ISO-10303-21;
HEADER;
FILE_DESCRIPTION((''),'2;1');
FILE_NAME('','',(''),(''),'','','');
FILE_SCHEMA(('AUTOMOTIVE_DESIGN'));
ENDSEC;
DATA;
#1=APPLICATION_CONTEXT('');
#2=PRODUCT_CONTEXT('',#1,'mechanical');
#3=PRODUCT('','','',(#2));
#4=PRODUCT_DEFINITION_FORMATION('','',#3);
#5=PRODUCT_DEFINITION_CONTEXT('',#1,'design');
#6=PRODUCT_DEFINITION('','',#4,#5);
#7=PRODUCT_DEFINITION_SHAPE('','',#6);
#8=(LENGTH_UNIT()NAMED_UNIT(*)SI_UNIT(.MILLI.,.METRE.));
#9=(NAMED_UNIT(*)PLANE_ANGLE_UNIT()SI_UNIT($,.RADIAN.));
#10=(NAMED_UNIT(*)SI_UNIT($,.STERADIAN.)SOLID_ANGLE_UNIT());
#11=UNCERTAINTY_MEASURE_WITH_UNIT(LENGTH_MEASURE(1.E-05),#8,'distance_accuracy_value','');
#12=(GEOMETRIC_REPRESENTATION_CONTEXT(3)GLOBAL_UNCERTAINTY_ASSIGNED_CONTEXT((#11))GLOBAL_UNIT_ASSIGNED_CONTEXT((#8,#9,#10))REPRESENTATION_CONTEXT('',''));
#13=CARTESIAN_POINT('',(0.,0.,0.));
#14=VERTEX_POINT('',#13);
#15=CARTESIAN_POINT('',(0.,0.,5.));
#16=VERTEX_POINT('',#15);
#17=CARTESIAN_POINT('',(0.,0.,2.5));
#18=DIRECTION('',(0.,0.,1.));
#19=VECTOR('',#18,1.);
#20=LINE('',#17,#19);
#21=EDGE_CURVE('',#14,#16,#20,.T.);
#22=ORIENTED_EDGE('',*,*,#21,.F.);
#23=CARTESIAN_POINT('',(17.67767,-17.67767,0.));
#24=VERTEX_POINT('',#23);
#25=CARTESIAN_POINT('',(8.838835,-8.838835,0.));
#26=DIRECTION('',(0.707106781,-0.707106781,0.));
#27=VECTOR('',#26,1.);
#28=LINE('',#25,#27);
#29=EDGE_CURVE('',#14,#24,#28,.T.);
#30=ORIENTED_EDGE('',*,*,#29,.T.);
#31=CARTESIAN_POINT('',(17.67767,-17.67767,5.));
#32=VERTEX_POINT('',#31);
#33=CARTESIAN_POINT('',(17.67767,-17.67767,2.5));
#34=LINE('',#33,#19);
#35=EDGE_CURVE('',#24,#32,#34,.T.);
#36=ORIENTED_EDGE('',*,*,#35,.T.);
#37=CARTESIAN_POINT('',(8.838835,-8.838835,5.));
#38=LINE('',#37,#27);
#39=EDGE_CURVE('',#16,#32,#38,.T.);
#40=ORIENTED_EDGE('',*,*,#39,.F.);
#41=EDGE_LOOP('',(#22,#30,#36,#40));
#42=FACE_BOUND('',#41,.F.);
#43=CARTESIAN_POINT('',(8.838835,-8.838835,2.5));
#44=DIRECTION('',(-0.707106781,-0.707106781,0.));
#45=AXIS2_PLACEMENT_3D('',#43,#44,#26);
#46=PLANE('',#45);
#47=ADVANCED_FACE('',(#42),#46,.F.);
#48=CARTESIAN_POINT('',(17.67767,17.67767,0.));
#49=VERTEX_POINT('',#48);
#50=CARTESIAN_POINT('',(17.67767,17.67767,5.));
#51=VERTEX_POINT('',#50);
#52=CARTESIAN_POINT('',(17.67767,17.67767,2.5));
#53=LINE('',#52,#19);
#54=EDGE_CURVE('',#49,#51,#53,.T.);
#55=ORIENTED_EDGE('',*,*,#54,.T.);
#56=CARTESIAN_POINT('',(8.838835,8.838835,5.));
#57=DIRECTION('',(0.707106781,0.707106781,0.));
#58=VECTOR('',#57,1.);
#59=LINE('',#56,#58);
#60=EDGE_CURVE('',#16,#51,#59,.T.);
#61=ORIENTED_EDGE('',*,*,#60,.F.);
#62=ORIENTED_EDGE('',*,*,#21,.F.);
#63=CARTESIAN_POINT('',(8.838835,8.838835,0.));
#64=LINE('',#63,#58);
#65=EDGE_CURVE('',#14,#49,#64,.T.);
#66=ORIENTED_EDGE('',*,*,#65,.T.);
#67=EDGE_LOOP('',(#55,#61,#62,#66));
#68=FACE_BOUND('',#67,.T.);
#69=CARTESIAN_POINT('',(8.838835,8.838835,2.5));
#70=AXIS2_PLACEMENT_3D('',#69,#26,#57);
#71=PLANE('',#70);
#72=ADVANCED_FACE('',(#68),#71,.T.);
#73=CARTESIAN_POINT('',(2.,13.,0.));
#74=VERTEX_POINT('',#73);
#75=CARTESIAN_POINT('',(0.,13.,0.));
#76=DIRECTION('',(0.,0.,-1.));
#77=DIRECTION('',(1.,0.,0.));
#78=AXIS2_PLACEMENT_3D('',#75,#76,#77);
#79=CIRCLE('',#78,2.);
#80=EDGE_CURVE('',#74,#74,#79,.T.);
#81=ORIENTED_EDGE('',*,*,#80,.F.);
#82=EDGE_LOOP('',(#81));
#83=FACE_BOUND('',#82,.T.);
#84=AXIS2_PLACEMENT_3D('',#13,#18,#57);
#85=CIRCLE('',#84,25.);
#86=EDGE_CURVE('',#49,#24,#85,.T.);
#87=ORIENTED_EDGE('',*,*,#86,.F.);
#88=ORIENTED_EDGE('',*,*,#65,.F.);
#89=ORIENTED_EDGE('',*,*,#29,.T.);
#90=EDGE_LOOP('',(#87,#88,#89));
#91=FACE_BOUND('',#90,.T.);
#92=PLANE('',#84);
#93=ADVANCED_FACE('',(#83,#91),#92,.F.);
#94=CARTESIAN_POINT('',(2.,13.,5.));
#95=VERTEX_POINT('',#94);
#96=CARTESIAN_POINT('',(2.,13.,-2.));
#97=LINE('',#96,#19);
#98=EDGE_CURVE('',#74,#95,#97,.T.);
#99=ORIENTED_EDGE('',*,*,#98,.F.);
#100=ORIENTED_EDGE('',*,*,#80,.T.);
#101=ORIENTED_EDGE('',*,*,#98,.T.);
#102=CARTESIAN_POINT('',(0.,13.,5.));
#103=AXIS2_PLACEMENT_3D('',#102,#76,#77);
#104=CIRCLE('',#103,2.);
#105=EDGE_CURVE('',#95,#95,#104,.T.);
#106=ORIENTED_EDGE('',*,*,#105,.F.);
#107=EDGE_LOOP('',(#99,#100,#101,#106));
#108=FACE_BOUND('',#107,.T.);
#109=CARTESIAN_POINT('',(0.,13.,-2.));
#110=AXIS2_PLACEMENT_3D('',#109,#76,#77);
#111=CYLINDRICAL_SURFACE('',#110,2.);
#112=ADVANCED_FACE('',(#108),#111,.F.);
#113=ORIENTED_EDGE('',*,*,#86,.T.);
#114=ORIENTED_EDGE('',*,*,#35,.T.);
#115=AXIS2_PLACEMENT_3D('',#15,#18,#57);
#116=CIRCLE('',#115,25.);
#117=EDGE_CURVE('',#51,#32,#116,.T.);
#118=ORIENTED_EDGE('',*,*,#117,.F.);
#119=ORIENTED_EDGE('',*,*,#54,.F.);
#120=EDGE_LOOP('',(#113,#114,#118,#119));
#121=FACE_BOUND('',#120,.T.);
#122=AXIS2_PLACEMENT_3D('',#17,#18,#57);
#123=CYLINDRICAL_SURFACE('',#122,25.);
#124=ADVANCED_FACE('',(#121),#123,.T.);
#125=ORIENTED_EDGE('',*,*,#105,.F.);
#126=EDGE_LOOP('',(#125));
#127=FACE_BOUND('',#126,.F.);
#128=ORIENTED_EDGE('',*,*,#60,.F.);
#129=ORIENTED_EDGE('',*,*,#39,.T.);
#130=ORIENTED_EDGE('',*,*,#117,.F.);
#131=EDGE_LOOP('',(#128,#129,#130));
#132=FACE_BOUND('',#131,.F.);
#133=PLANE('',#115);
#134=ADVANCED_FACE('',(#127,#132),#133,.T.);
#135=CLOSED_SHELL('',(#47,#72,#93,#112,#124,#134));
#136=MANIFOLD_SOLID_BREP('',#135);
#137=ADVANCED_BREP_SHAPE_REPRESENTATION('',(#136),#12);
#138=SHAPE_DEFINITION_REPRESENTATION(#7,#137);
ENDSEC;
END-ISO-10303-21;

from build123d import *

# Parameters (mm, degrees)
CYLINDER001_R            = 2
CYLINDER001_DEPTH        = 10
CYLINDER_W               = 25
CYLINDER_H               = 5
CYLINDER_ANGLE           = 270
CYLINDER_PLACEMENT_ANGLE = 45


with BuildPart() as ull_pacman:
    # Cylinder001 → Cylinder001 (new body)
    with BuildSketch(Plane(origin=(0, 13, -2), x_dir=(1, 0, 0), z_dir=(0, 0, 1))):
        Circle(CYLINDER001_R)
    extrude(amount=CYLINDER001_DEPTH)


with BuildPart() as pacman:
    # Cylinder → Cylinder (revolve)
    with BuildSketch(Plane.XZ):
        with Locations((12.5, 2.5)):
            Rectangle(CYLINDER_W, CYLINDER_H)
    revolve(axis=Axis((0, 0, 0), (0, 0, 1)), revolution_arc=CYLINDER_ANGLE)


with BuildPart() as pacman_1:
    # Cylinder placement: moved
    add(pacman.part.rotate(Axis((0, 0, 0), (0, 0, 1)), CYLINDER_PLACEMENT_ANGLE))

    # Cut: cut ull_pacman
    add(ull_pacman.part, mode=Mode.SUBTRACT)


solid = pacman_1.part
